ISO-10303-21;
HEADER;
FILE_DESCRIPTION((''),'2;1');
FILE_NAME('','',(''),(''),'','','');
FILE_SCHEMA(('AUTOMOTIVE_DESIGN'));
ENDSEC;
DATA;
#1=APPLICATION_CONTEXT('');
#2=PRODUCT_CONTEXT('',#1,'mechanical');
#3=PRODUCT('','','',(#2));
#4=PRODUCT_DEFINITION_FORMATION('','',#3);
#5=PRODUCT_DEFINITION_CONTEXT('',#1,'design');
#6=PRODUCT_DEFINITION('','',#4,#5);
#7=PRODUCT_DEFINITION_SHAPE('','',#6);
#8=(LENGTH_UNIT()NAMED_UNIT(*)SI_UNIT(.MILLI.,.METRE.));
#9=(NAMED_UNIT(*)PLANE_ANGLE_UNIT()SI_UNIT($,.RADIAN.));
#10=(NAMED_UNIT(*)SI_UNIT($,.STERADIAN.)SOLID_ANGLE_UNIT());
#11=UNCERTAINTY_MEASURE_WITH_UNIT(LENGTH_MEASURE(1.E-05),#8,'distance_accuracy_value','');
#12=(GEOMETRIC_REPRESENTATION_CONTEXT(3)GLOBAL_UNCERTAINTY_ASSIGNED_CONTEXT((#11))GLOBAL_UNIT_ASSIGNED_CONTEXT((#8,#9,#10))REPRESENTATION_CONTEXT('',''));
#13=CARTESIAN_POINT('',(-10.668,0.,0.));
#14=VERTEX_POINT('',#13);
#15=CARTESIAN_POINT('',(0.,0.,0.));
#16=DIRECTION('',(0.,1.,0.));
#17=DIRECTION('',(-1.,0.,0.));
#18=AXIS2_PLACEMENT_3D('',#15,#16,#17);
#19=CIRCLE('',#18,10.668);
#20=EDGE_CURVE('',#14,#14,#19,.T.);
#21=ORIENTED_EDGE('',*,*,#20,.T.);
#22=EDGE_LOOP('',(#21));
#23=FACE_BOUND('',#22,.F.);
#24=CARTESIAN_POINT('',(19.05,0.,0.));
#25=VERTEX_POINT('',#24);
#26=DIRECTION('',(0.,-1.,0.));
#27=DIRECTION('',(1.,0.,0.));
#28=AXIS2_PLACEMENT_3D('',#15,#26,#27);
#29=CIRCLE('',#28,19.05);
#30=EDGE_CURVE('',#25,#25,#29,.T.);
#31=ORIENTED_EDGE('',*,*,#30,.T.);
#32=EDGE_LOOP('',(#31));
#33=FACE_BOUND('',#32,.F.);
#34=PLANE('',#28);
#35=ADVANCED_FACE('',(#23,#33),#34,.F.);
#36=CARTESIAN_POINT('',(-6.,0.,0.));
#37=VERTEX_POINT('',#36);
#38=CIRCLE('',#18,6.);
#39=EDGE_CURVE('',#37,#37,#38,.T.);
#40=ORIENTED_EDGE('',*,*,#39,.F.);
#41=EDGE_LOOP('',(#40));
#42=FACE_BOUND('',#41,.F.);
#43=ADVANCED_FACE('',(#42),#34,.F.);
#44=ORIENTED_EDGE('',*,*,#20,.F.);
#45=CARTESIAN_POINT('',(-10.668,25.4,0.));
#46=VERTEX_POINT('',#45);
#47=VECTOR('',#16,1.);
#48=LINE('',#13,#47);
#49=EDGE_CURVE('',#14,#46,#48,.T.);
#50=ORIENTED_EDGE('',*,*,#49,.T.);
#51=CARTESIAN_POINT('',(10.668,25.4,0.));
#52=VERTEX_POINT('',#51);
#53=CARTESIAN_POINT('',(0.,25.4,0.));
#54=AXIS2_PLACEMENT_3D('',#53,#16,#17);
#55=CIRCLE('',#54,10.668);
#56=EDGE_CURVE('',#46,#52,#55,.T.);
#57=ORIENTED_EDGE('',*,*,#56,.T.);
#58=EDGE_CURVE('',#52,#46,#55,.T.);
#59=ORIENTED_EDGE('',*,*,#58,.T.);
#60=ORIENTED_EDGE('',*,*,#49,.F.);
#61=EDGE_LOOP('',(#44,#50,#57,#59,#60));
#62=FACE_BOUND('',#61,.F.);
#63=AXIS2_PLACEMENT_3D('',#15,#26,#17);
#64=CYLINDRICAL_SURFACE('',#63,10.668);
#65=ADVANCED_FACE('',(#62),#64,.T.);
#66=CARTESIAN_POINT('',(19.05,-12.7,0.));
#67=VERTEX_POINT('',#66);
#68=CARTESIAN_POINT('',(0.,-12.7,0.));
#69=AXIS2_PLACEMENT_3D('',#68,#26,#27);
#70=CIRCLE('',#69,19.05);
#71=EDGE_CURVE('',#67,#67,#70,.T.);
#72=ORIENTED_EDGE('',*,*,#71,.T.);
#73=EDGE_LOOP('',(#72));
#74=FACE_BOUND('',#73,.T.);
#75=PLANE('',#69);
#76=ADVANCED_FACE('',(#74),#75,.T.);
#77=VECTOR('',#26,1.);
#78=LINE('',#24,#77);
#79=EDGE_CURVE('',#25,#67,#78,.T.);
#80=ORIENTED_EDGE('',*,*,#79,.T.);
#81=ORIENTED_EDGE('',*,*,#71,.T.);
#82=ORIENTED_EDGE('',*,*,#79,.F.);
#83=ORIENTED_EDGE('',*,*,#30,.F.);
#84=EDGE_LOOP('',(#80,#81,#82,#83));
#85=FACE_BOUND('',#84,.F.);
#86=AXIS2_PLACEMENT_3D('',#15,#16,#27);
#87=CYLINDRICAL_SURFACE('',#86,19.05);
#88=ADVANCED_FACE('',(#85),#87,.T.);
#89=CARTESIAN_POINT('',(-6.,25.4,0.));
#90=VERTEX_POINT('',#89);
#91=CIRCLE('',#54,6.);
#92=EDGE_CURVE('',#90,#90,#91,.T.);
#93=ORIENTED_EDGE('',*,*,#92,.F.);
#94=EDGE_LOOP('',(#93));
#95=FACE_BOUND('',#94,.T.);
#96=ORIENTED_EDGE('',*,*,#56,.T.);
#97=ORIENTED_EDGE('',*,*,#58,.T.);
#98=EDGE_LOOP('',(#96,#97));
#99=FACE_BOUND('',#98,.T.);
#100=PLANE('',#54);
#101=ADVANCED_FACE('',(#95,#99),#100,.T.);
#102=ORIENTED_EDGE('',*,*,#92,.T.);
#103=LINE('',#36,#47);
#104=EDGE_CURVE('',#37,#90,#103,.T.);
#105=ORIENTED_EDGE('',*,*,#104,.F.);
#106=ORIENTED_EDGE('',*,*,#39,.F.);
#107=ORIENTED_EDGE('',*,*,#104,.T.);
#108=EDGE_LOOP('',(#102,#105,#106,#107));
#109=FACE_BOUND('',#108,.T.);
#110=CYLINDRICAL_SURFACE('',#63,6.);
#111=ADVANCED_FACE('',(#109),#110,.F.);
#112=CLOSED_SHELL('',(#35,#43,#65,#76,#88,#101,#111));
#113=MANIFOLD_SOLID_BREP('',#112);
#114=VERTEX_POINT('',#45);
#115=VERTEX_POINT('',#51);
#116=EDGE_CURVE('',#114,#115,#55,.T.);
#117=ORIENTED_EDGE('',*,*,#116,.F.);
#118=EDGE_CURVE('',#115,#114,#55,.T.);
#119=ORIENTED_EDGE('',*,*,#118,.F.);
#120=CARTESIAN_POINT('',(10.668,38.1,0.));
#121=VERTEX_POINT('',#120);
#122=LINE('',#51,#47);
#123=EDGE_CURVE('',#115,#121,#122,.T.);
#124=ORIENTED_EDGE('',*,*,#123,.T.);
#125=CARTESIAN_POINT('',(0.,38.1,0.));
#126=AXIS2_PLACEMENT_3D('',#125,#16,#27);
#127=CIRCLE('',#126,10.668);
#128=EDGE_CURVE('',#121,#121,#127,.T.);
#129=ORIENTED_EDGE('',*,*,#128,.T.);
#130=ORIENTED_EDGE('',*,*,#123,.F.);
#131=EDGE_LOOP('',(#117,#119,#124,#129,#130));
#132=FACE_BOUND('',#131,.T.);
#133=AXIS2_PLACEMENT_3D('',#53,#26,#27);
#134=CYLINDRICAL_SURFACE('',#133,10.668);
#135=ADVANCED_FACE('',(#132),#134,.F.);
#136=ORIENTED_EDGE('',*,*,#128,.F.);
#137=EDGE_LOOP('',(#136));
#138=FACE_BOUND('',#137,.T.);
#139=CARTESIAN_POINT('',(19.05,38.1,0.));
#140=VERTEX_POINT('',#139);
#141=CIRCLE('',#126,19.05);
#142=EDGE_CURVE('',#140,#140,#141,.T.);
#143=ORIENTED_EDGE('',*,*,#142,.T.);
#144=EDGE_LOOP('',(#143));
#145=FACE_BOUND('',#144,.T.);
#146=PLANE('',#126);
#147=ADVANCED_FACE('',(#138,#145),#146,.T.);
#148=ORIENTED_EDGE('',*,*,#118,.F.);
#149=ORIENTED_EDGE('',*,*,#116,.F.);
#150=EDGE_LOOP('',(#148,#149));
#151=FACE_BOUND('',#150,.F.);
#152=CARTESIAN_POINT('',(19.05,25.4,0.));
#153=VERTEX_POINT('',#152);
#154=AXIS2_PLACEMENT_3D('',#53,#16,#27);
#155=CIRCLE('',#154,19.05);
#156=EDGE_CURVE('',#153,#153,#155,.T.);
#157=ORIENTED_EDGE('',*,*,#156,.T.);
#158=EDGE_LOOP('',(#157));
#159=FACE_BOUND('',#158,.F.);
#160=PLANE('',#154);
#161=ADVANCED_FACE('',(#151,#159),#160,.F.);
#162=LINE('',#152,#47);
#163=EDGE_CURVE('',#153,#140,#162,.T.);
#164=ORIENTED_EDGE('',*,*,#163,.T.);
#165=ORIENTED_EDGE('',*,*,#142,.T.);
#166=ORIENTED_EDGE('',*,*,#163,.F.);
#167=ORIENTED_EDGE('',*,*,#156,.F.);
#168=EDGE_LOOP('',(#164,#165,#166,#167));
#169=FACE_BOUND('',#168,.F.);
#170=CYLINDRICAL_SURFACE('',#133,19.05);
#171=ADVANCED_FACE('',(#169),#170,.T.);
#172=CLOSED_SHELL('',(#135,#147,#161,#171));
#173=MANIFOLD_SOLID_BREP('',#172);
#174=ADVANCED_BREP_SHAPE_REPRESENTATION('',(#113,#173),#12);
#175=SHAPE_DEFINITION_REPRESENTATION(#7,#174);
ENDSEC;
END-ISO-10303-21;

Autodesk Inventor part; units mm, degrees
ref_plane "YZ Plane" through (0, 0, 0) normal (1, 0, 0) x (0, 1, 0)
ref_plane "XZ Plane" through (0, 0, 0) normal (0, 1, 0) x (-1, 0, 0)
ref_plane "XY Plane" through (0, 0, 0) normal (0, 0, 1) x (1, 0, 0)
sketch "Sketch1" plane through (0, 0, 0) normal (0, 1, 0) x (-1, 0, 0)
  circle A0 centre (0, 0) radius 6
  circle A1 centre (0, 0) radius 10.668
  dimension "d0" = 12
  dimension "d1" = 21.336
  dimension "d4" = 4.668
extrude "Extrusion1" add sketch "Sketch1" along normal blind 25.4
sketch "Sketch2" plane through (0, 25.4, 0) normal (0, 1, 0) x (1, 0, 0)
  circle A0 centre (0, 0) radius 10.668 projected
  circle A1 centre (0, 0) radius 19.05
  dimension "d5" = 38.1
extrude "Extrusion2" add sketch "Sketch2" along normal blind 12.7
sketch "Sketch3" plane through (0, 0, 0) normal (0, -1, 0) x (1, 0, 0)
  circle A0 centre (0, 0) radius 10.668 projected
  circle A1 centre (0, 0) radius 19.05
  dimension "d8" = 38.1
extrude "Extrusion3" add sketch "Sketch3" along normal blind 12.7 contours A0 | A1
properties part number "winch pipe"
